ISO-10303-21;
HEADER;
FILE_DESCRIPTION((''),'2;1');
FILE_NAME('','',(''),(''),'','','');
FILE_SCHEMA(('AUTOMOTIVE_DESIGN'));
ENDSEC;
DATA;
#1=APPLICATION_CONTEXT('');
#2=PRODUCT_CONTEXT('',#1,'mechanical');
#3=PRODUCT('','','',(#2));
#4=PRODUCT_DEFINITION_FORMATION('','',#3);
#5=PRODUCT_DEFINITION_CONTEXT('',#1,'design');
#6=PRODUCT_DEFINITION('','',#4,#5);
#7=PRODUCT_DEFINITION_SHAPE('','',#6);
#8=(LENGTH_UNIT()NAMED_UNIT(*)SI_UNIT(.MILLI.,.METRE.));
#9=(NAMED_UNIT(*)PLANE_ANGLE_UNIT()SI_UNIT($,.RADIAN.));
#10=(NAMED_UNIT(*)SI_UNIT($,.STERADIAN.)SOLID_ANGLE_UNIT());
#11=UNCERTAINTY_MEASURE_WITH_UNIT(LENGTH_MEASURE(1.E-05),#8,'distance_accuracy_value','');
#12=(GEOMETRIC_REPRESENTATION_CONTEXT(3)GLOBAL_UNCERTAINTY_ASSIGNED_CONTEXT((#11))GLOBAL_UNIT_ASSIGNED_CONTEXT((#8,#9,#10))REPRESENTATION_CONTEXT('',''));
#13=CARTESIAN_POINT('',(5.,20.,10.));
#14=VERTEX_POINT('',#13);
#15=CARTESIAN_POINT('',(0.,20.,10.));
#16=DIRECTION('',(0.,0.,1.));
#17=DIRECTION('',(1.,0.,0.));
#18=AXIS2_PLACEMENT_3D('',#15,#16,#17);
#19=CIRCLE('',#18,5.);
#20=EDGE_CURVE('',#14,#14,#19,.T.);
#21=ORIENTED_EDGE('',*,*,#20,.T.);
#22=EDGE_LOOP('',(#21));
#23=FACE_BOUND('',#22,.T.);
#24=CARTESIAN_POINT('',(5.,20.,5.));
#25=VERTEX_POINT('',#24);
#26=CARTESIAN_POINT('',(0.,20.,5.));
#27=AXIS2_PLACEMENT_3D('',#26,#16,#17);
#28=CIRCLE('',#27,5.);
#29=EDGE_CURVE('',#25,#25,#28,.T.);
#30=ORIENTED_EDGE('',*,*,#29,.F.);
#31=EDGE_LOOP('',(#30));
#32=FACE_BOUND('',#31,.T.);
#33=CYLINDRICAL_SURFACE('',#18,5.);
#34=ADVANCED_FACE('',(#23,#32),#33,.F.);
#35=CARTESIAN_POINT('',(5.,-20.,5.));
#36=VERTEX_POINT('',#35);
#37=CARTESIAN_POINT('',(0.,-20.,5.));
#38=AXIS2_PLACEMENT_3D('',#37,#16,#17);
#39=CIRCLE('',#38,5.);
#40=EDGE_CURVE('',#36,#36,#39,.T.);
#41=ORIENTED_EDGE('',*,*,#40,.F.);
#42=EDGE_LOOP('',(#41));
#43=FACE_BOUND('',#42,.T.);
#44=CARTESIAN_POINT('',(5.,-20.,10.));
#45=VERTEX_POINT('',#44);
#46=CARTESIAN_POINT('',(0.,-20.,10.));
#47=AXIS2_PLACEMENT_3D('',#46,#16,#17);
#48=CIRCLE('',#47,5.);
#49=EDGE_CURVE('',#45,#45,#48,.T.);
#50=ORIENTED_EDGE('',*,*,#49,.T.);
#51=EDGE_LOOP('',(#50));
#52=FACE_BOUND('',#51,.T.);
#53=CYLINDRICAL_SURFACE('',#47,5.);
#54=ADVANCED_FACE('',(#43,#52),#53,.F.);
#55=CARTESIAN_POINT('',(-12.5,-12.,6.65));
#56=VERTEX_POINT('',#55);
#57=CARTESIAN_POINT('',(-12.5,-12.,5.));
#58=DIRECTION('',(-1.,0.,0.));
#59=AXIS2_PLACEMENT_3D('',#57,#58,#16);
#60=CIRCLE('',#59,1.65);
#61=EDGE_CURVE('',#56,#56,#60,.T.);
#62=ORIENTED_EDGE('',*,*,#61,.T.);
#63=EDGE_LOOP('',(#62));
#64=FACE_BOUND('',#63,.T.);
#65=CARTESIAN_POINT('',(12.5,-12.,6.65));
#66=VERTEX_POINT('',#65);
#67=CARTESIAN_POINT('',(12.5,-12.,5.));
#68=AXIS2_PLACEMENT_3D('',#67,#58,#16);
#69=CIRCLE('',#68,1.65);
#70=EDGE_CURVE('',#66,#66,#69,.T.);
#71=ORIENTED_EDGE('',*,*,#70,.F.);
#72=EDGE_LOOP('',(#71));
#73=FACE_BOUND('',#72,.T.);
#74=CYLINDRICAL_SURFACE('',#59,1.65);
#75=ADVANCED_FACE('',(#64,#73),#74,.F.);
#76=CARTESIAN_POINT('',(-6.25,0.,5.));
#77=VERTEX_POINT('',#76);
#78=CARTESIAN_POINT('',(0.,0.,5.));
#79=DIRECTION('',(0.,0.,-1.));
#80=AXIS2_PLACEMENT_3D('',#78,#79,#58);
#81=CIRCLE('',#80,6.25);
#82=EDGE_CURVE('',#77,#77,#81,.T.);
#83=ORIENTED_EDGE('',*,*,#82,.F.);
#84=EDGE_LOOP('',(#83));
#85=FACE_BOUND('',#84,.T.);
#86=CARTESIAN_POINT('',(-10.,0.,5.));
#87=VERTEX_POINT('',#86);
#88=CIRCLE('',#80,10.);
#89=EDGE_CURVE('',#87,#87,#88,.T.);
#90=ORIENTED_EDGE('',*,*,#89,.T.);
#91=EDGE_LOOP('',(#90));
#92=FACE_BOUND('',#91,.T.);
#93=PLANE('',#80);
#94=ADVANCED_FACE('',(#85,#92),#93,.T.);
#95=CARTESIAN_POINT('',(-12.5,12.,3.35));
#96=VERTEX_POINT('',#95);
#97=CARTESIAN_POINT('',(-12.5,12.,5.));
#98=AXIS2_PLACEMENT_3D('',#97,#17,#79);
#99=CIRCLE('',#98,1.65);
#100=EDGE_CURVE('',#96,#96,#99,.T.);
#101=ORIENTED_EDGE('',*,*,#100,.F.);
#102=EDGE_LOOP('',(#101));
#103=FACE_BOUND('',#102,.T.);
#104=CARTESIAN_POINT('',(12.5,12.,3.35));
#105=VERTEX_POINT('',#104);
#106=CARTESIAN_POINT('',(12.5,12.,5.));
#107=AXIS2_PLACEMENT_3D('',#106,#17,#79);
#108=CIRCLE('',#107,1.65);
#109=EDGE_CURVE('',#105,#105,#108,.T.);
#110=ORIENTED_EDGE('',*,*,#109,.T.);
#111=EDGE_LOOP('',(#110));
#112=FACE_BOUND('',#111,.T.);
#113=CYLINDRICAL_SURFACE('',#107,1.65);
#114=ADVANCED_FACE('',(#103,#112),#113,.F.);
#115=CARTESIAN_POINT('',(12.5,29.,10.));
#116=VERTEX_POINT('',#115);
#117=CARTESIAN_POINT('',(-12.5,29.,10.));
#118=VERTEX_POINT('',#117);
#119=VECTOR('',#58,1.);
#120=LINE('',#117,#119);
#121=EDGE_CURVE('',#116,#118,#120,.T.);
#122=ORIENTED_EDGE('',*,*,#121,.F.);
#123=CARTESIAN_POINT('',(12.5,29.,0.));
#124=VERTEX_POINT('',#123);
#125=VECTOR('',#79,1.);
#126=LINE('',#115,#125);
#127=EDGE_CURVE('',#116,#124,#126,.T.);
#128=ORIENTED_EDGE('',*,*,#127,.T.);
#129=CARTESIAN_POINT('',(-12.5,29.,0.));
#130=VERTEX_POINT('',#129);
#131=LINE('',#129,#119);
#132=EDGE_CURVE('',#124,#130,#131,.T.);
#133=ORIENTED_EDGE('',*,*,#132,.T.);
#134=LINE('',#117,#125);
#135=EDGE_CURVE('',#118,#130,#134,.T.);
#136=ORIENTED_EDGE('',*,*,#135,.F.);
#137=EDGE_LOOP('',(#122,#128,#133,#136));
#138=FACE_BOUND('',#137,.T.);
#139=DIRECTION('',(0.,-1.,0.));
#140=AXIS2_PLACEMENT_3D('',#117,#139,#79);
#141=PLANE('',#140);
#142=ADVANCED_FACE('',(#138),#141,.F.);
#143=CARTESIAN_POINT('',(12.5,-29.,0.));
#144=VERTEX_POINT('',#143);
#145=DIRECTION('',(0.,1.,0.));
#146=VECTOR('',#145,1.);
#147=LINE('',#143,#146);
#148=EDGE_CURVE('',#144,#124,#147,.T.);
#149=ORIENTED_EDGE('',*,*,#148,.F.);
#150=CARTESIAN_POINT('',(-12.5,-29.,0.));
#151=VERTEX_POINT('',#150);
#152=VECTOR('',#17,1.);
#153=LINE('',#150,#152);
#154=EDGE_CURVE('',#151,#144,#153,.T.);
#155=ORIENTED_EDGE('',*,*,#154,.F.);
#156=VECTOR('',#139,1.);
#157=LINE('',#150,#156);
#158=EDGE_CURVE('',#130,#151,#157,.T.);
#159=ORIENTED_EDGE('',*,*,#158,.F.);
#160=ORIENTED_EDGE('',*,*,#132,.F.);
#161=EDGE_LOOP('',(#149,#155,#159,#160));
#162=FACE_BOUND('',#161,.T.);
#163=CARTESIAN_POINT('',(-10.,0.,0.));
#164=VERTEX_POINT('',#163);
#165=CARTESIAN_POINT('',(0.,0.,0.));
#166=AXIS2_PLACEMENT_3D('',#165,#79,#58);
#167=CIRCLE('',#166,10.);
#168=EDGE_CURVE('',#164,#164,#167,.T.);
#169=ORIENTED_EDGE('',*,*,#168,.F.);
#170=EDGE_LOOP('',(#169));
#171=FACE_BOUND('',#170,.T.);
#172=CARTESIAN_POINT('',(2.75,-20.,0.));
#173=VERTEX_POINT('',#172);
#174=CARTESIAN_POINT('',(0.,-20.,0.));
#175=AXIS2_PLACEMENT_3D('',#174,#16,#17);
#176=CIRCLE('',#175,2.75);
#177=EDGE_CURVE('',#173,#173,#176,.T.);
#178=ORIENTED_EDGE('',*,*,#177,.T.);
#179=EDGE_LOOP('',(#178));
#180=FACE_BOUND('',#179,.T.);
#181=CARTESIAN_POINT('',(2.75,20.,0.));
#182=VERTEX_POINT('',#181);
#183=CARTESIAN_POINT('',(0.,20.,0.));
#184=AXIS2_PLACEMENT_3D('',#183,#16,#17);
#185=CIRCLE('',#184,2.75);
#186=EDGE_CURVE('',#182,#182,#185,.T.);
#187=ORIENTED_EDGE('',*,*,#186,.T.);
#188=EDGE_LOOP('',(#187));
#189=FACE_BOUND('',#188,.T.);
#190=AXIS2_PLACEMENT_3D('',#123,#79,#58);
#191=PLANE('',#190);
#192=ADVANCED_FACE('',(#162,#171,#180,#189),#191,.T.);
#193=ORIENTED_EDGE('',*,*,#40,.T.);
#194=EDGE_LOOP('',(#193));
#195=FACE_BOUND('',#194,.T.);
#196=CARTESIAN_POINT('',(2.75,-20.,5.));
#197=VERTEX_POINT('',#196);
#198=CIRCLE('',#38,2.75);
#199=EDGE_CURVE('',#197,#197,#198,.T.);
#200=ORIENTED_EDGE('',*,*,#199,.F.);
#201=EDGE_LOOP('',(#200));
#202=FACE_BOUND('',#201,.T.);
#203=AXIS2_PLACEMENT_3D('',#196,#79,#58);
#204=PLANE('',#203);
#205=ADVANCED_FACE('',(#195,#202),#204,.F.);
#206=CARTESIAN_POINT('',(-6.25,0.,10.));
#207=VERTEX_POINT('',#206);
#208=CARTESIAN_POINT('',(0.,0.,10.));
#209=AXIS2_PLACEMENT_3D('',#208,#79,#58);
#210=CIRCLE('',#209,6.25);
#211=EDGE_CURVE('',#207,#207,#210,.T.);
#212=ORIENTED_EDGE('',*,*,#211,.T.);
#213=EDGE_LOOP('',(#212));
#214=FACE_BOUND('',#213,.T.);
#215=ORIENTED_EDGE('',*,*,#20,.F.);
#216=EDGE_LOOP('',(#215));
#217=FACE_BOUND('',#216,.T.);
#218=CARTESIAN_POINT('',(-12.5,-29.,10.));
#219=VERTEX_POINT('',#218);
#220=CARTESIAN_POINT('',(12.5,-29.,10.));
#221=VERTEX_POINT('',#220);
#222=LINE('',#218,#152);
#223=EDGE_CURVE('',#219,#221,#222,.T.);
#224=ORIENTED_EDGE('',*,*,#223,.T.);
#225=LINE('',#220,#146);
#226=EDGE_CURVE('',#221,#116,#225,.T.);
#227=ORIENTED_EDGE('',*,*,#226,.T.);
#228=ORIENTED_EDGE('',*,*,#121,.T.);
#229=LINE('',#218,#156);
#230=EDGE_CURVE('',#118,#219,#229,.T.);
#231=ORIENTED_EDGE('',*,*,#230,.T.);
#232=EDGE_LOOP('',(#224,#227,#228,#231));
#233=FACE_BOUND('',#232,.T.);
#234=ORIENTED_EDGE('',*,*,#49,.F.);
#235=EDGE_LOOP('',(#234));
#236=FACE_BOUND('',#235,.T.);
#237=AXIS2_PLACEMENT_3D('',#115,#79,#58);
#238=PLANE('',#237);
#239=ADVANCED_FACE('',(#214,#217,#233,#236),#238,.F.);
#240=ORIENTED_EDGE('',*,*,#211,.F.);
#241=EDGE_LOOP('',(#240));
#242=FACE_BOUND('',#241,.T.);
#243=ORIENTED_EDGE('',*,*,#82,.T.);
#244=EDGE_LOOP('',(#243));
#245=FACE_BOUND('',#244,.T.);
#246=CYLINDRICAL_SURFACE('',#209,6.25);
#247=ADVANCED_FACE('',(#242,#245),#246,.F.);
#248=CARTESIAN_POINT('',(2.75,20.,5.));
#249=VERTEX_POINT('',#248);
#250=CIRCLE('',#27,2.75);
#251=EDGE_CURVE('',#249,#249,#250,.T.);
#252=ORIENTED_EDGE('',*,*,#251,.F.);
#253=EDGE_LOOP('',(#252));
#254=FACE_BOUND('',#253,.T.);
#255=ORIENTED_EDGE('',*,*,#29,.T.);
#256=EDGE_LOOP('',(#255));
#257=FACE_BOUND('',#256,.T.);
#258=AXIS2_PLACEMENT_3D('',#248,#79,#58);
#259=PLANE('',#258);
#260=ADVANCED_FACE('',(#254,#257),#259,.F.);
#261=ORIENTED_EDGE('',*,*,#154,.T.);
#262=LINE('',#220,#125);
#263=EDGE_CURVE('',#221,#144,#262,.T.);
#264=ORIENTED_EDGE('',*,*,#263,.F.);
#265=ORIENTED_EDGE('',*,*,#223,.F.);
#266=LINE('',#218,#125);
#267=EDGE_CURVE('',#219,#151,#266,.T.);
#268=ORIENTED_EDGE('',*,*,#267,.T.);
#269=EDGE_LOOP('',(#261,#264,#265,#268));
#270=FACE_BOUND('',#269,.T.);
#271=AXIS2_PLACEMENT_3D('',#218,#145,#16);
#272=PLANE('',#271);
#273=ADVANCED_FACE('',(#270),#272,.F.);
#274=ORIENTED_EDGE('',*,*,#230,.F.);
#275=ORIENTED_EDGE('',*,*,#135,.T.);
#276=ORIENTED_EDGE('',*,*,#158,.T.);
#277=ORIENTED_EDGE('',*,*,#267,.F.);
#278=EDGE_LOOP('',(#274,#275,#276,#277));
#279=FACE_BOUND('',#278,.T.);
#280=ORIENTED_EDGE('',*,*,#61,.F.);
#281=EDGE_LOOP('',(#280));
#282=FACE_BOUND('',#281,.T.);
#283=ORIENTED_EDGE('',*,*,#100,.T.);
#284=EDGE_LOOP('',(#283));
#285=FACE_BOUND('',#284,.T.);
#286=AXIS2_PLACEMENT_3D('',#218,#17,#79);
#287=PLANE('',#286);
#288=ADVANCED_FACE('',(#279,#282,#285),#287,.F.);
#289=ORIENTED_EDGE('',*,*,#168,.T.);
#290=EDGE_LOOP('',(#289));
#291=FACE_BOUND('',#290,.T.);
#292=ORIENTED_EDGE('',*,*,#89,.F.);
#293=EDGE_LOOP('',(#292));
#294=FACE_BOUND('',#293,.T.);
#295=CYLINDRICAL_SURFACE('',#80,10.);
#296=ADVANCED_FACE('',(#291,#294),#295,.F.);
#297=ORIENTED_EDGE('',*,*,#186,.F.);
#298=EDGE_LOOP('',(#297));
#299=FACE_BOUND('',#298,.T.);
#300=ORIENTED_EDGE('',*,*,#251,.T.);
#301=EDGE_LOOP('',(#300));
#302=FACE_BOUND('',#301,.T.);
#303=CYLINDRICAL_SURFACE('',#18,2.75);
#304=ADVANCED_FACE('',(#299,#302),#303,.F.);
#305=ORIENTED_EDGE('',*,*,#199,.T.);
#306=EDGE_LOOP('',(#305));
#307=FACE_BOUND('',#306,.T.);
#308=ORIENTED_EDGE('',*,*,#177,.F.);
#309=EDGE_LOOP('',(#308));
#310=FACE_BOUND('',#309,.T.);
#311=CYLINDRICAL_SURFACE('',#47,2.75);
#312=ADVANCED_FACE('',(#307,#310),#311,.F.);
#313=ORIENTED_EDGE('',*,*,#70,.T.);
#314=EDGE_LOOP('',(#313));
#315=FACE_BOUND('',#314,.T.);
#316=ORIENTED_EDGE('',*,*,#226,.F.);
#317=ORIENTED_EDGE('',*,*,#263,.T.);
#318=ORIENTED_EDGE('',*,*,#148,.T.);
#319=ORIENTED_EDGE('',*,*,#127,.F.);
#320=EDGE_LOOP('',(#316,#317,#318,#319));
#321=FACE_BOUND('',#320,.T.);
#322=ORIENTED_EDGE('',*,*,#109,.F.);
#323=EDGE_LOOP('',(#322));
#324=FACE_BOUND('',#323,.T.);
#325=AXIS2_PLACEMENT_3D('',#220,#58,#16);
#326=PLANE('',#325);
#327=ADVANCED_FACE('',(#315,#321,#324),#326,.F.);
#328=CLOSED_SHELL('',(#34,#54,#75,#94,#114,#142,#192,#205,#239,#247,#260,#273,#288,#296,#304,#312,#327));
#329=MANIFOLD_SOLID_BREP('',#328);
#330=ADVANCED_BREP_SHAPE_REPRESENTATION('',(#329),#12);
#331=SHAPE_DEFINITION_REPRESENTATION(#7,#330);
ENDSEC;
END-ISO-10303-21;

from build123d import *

# Parameters (mm, degrees)
ESQUISSE1_W                                        = 25
ESQUISSE1_H                                        = 58
BOSS_EXTRU_1_DEPTH                                 = 10
ESQUISSE3_R                                        = 10
ENL_V_MAT_EXTRU_2_DEPTH                            = 5
ESQUISSE4_R                                        = 6.25
ENL_V_MAT_EXTRU_3_DEPTH                            = 6
CHAMBRAGE_POUR_VIS_T_TE_HEXAGONALE_M51_D           = 5.5
CHAMBRAGE_POUR_VIS_T_TE_HEXAGONALE_M51_CBORE_D     = 10
CHAMBRAGE_POUR_VIS_T_TE_HEXAGONALE_M51_CBORE_DEPTH = 5
CHAMBRAGE_POUR_VIS_T_TE_HEXAGONALE_M53_D           = 5.5
CHAMBRAGE_POUR_VIS_T_TE_HEXAGONALE_M53_CBORE_D     = 10
CHAMBRAGE_POUR_VIS_T_TE_HEXAGONALE_M53_CBORE_DEPTH = 5
TROU_TARAUD_M43_D                                  = 3.3
TROU_TARAUD_M42_D                                  = 3.3


with BuildPart() as part:
    # Esquisse1 → Boss.-Extru.1 (new body)
    with BuildSketch(Plane.XY):
        Rectangle(ESQUISSE1_W, ESQUISSE1_H)
    extrude(amount=BOSS_EXTRU_1_DEPTH)

    # Esquisse3 → Enlèv. mat.-Extru.2 (cut)
    with BuildSketch(Plane(origin=(0, 0, 0), x_dir=(-1, 0, 0), z_dir=(0, 0, -1))):
        Circle(ESQUISSE3_R)
    extrude(amount=-ENL_V_MAT_EXTRU_2_DEPTH, mode=Mode.SUBTRACT)

    # Esquisse4 → Enlèv. mat.-Extru.3 (cut, through all)
    with BuildSketch(Plane(origin=(0, 0, 5), x_dir=(-1, 0, 0), z_dir=(0, 0, -1))):
        Circle(ESQUISSE4_R)
    extrude(amount=-ENL_V_MAT_EXTRU_3_DEPTH, mode=Mode.SUBTRACT)

    # Chambrage pour vis à tête hexagonale M51 (through all)
    with Locations(Plane.XY.offset(10)):
        with Locations((0, -20)):
            CounterBoreHole(CHAMBRAGE_POUR_VIS_T_TE_HEXAGONALE_M51_D / 2, CHAMBRAGE_POUR_VIS_T_TE_HEXAGONALE_M51_CBORE_D / 2, CHAMBRAGE_POUR_VIS_T_TE_HEXAGONALE_M51_CBORE_DEPTH)

    # Chambrage pour vis à tête hexagonale M53 (through all)
    with Locations(Plane.XY.offset(10)):
        with Locations((0, 20)):
            CounterBoreHole(CHAMBRAGE_POUR_VIS_T_TE_HEXAGONALE_M53_D / 2, CHAMBRAGE_POUR_VIS_T_TE_HEXAGONALE_M53_CBORE_D / 2, CHAMBRAGE_POUR_VIS_T_TE_HEXAGONALE_M53_CBORE_DEPTH)

    # Trou taraudé M43 (through all)
    with Locations(Plane(origin=(12.5, 0, 0), x_dir=(0, 0, -1), z_dir=(1, 0, 0))):
        with Locations((-5, 12)):
            Hole(TROU_TARAUD_M43_D / 2)

    # Trou taraudé M42 (through all)
    with Locations(Plane.ZY.offset(12.5)):
        with Locations((5, -12)):
            Hole(TROU_TARAUD_M42_D / 2)


solid = part.part
